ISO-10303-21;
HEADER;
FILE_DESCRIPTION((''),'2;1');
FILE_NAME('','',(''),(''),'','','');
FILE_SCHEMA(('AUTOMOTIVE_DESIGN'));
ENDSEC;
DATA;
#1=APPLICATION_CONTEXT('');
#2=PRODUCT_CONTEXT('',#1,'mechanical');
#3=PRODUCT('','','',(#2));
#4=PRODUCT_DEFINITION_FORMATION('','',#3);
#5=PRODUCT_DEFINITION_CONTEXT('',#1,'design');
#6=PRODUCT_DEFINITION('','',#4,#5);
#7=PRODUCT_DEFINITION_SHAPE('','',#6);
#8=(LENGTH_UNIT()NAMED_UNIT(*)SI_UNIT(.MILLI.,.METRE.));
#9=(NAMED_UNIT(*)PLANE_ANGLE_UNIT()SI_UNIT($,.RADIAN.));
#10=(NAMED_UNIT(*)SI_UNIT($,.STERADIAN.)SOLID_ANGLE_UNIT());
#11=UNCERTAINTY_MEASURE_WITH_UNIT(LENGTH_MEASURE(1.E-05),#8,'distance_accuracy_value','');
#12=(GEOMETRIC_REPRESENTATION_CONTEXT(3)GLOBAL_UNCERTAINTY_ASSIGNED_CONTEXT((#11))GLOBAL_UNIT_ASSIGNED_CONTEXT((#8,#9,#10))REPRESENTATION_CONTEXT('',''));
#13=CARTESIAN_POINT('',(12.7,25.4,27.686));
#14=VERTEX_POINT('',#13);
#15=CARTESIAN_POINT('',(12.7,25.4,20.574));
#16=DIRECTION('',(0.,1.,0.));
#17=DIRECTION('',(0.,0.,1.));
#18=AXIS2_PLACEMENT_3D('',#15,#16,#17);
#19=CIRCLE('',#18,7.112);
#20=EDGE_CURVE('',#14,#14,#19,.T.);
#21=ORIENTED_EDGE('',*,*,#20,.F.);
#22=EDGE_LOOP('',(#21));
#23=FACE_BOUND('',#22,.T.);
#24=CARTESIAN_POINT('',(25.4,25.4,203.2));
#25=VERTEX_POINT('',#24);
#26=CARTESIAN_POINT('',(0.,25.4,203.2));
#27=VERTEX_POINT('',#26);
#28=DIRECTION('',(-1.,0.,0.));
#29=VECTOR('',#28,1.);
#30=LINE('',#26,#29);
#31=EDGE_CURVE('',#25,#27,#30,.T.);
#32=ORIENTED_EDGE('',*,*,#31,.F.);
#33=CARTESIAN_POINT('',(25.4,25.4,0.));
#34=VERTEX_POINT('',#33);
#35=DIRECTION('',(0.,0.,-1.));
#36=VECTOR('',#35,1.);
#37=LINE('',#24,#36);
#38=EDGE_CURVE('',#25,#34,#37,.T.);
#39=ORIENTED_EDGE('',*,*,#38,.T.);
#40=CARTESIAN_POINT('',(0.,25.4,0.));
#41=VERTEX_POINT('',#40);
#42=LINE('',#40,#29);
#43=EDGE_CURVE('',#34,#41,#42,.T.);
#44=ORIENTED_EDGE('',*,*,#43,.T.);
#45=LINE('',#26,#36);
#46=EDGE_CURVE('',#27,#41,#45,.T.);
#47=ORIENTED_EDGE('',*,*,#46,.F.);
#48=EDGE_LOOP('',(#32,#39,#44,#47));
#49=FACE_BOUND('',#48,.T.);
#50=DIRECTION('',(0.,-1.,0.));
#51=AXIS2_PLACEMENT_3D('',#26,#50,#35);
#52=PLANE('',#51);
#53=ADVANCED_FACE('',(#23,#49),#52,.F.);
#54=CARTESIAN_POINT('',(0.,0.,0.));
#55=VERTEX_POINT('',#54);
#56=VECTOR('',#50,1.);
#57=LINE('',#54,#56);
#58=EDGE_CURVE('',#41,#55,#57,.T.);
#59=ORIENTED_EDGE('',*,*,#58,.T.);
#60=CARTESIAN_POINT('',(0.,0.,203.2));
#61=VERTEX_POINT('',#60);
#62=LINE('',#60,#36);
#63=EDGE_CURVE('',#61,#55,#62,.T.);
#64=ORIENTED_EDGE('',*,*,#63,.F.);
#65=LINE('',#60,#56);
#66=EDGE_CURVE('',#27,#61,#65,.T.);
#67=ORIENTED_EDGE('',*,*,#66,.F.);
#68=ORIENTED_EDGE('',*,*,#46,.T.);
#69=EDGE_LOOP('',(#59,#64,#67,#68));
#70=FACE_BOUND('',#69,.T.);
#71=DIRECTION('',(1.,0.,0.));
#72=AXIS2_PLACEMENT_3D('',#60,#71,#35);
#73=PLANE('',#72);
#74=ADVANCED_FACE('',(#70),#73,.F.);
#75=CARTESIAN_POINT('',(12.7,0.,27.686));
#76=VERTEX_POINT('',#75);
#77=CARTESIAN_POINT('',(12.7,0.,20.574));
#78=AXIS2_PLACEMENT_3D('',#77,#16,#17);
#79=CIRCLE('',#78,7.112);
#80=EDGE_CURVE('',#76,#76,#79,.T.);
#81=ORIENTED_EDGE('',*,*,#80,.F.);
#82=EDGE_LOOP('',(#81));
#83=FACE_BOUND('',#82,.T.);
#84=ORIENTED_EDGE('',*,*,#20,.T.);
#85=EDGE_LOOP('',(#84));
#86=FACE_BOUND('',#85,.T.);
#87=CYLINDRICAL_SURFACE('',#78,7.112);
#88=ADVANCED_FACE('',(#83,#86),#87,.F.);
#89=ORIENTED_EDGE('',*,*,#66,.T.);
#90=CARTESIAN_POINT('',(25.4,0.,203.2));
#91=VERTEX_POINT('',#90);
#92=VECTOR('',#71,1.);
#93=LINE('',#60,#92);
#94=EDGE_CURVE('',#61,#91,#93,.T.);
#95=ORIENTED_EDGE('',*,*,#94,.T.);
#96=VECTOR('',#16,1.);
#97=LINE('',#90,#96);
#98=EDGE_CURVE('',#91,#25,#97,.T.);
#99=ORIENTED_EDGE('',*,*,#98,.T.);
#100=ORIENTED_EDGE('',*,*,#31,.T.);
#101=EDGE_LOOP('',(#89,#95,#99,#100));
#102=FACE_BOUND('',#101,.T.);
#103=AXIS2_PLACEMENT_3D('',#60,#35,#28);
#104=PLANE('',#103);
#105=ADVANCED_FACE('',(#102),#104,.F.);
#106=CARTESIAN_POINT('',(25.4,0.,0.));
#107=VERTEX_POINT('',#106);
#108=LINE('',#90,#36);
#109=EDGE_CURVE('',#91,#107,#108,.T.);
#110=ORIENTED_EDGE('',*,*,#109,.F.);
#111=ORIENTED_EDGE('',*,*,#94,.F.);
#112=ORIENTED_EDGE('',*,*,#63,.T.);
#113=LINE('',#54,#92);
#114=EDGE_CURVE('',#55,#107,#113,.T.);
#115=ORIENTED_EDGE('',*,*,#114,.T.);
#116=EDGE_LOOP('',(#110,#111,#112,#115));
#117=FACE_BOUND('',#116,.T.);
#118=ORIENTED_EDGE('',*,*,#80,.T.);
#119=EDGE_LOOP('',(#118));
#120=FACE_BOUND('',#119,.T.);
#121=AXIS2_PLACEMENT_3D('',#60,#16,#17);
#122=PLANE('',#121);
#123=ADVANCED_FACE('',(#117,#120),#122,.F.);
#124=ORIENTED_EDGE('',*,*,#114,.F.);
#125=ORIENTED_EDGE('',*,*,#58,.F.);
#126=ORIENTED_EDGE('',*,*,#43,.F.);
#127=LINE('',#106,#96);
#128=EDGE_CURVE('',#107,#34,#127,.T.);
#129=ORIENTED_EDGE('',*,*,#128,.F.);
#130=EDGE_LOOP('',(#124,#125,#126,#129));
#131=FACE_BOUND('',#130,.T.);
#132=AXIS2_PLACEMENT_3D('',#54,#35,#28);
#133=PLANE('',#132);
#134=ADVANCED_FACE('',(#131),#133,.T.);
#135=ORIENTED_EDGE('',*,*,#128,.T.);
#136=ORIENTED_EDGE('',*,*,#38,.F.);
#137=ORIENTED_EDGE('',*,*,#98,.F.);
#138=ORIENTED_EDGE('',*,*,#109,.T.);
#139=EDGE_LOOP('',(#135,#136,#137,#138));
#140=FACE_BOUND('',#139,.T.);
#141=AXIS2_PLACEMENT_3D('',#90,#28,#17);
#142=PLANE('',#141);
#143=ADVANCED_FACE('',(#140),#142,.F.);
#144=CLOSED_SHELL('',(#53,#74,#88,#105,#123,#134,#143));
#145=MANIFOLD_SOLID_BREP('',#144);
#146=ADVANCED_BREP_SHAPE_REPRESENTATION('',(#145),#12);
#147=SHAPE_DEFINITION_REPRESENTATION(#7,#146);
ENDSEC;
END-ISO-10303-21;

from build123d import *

# Parameters (mm, degrees)
SKETCH_2_W          = 25.4
SKETCH_2_H          = 25.4
EXTRUDE_1_DEPTH     = 203.2
SKETCH_3_R          = 7.112
CUT_EXTRUDE_1_DEPTH = 207.350575478


with BuildPart() as part:
    # 草图2 → 凸台-拉伸1 (new body)
    with BuildSketch(Plane.XY):
        with Locations((12.7, 12.7)):
            Rectangle(SKETCH_2_W, SKETCH_2_H)
    extrude(amount=EXTRUDE_1_DEPTH)

    # 草图3 → 切除-拉伸1 (cut, through all)
    with BuildSketch(Plane(origin=(0, 25.4, 0), x_dir=(1, 0, 0), z_dir=(0, 1, 0))):
        with Locations(Location((12.7, -20.574, 0), (0, 0, 270))):
            Circle(SKETCH_3_R)
    extrude(amount=-CUT_EXTRUDE_1_DEPTH, mode=Mode.SUBTRACT)


solid = part.part
